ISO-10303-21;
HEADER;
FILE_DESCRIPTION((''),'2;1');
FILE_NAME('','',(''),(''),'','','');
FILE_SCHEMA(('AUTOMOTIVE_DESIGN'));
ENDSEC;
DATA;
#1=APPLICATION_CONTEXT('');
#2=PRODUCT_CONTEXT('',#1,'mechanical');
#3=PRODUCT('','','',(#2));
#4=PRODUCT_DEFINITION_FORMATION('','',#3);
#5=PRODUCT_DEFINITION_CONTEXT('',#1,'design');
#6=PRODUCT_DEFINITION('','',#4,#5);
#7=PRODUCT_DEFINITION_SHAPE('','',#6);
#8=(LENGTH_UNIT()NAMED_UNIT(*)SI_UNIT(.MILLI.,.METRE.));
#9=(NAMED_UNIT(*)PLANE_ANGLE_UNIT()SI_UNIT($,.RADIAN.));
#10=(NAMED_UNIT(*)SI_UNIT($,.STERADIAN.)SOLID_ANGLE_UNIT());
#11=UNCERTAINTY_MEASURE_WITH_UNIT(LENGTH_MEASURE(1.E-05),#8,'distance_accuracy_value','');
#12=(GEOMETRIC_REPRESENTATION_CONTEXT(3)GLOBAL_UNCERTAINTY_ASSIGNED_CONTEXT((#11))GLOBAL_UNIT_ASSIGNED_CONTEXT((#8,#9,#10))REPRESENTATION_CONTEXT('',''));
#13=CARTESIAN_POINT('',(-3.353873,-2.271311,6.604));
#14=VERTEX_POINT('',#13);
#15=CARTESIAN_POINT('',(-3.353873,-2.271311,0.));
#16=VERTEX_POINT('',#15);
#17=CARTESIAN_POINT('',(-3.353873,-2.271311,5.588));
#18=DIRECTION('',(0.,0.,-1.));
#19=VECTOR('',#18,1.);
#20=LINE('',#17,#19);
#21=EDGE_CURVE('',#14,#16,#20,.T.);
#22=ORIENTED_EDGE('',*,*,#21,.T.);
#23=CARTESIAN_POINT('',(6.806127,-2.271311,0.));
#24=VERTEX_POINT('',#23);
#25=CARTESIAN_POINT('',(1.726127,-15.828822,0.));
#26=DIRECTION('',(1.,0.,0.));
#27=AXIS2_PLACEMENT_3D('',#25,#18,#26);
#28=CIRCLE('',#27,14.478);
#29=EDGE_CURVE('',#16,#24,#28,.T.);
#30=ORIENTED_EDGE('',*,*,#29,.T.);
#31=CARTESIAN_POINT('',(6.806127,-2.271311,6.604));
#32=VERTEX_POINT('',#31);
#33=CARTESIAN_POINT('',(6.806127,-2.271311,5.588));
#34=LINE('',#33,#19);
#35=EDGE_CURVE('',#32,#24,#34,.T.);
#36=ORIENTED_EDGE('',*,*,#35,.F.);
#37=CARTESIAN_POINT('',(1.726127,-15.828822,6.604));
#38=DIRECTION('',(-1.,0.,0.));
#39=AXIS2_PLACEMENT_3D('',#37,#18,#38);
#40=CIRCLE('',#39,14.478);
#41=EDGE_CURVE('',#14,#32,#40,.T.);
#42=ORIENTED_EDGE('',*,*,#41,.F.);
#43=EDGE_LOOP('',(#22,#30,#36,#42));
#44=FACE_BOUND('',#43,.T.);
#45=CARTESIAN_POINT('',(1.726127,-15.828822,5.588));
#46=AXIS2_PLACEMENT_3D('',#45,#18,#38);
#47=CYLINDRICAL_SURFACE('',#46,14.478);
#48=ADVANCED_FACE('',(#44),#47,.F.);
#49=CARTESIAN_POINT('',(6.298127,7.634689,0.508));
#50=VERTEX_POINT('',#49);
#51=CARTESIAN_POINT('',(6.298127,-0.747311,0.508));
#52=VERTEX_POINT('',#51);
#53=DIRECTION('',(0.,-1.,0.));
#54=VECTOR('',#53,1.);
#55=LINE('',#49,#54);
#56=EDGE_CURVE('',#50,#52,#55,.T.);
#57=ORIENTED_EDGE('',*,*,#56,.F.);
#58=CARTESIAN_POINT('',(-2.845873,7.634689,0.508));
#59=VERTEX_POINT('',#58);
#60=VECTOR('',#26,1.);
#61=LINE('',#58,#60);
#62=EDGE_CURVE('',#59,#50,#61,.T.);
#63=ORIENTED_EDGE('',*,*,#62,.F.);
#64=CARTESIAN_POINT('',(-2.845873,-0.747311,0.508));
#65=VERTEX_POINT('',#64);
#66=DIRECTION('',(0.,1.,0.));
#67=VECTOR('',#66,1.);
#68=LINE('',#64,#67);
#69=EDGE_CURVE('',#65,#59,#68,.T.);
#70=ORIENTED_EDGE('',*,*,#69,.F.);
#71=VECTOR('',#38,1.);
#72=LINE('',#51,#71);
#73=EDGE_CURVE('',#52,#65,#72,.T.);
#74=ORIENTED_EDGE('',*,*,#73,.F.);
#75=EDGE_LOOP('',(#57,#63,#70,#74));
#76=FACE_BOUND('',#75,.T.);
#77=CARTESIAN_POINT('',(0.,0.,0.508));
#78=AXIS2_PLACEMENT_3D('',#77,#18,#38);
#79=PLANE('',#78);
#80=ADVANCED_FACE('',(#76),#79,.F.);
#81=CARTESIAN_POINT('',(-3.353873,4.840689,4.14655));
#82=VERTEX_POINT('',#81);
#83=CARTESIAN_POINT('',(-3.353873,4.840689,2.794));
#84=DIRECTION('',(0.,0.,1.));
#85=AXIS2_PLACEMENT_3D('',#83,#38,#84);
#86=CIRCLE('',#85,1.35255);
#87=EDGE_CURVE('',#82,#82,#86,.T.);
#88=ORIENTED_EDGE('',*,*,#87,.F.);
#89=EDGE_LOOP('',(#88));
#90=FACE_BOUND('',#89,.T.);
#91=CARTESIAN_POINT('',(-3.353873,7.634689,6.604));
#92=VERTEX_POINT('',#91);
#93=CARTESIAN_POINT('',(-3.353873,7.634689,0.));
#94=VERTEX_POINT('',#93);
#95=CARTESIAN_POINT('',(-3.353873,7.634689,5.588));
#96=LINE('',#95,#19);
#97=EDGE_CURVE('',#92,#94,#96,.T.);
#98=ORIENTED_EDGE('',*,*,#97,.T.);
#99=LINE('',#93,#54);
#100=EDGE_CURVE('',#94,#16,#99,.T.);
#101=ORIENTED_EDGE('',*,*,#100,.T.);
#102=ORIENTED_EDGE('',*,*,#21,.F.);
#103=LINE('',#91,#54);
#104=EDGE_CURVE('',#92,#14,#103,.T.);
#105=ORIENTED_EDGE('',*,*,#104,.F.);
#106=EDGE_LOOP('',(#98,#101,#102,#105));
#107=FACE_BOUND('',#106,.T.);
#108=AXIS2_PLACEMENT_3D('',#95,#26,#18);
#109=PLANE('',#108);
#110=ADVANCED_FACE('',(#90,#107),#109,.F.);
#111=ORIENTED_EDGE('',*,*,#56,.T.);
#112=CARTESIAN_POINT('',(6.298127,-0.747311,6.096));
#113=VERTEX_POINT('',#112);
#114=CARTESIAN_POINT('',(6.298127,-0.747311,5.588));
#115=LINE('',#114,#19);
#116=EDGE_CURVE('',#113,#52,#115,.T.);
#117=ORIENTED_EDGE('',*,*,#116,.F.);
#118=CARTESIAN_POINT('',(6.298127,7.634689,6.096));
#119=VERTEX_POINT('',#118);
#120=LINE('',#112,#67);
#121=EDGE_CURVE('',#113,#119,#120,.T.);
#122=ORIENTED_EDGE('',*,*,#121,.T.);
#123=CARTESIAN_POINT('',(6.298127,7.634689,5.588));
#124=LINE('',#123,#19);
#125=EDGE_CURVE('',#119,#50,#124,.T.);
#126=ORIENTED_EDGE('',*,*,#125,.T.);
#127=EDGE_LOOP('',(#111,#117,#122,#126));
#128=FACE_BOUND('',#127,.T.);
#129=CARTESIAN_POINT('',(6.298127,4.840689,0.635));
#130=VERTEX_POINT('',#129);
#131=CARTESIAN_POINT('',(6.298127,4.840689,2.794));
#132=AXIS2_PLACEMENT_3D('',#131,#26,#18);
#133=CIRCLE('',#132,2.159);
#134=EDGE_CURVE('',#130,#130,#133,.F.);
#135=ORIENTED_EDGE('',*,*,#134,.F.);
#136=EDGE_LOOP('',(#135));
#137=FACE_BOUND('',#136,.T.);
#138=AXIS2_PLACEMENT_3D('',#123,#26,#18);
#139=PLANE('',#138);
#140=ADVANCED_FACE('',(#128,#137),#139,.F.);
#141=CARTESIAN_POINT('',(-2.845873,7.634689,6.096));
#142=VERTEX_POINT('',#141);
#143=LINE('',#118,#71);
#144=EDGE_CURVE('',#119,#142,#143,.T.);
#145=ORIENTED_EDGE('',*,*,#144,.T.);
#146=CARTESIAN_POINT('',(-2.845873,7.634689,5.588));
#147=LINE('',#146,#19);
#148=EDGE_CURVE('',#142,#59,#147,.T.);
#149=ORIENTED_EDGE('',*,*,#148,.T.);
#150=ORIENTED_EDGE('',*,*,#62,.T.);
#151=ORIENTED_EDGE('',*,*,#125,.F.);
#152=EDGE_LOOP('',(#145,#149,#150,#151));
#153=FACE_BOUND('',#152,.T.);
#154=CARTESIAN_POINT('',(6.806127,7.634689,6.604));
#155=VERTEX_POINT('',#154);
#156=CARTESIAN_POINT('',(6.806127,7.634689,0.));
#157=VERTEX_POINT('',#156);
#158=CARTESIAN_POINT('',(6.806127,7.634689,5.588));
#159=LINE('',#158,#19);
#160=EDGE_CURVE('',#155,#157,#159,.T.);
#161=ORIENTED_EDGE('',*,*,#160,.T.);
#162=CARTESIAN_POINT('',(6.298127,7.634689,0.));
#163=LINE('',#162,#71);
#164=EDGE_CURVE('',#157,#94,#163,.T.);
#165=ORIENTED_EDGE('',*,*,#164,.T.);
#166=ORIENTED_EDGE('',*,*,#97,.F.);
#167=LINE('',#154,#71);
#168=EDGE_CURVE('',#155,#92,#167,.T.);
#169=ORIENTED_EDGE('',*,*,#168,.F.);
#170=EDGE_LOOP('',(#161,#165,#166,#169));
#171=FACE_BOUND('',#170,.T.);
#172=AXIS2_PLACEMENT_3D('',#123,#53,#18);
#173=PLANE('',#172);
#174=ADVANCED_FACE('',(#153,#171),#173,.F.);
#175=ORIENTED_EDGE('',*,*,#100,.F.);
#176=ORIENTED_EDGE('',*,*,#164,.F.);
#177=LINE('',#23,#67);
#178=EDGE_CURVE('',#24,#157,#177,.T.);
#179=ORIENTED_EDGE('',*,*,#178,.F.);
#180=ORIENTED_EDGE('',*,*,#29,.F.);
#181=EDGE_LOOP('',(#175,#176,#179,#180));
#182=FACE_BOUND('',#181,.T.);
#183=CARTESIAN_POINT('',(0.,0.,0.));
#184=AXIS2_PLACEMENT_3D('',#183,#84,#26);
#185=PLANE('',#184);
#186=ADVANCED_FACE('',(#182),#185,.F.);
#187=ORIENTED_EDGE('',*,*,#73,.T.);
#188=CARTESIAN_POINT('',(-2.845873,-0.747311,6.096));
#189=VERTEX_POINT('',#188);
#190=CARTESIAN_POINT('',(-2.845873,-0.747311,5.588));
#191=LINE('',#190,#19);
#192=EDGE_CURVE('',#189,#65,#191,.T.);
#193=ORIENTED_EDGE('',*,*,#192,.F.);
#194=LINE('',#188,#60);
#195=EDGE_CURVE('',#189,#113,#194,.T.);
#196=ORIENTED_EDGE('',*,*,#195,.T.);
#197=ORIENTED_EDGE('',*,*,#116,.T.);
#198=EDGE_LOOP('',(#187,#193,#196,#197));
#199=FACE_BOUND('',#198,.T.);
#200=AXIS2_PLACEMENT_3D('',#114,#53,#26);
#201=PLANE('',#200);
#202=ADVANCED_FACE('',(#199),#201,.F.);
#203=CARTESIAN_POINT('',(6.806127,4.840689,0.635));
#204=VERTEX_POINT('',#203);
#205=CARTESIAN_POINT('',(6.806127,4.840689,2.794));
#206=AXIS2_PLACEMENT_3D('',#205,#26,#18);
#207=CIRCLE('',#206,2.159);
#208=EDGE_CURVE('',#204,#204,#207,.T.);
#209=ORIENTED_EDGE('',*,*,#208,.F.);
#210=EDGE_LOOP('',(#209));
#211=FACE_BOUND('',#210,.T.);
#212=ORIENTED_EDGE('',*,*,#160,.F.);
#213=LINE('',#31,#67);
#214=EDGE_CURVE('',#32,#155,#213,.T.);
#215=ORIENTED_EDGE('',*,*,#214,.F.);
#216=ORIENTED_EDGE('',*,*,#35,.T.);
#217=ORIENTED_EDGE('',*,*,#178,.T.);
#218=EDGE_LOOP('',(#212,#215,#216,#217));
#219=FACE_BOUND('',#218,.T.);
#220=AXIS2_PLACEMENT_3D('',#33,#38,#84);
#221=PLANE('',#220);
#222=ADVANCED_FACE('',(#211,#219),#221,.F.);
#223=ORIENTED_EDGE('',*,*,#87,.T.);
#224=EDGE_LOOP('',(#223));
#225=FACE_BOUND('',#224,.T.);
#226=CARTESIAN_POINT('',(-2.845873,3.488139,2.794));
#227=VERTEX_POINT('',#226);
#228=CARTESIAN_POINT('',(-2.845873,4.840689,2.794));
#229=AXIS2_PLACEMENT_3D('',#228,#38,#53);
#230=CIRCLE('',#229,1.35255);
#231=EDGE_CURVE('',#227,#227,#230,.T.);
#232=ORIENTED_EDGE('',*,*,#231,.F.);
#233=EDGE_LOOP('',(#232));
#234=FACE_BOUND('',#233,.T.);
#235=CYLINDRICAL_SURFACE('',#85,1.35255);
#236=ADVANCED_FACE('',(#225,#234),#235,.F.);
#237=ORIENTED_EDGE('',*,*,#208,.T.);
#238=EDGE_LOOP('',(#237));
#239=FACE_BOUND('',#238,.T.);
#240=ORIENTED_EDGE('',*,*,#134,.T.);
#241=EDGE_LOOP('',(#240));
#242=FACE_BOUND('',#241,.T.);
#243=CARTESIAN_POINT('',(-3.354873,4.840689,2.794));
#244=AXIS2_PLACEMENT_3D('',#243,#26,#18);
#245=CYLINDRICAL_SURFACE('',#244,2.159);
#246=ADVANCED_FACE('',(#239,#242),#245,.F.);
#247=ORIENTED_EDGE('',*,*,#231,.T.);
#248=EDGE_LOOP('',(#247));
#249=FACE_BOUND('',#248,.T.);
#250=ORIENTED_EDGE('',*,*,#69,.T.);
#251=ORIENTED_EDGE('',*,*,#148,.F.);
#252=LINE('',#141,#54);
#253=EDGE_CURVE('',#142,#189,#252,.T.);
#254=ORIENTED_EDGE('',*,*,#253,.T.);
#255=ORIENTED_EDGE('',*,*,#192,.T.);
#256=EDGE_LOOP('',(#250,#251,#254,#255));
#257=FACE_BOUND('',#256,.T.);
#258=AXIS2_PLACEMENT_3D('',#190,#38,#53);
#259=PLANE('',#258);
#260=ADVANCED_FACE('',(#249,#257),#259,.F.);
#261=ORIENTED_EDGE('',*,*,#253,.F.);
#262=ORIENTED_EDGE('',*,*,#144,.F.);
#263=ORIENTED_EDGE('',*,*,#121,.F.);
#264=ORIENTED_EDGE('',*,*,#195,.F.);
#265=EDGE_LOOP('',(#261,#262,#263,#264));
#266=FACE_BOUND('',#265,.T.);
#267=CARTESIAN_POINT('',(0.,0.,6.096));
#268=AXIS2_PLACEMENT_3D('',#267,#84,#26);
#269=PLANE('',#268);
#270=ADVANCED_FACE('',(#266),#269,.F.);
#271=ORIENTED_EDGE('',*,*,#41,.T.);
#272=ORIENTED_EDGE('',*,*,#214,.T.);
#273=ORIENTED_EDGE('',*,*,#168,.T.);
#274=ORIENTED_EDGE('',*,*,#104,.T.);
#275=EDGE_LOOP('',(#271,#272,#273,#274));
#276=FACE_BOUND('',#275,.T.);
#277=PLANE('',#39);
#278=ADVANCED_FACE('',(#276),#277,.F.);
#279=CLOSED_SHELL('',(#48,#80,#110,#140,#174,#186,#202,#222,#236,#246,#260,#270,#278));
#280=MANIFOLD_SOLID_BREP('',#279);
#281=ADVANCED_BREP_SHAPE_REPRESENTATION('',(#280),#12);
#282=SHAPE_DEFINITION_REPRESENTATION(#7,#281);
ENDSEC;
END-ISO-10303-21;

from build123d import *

# Parameters (mm, degrees)
BOSS_EXTRUDE1_DEPTH       = 5.588
F_6_32_TAPPED_HOLE1_D     = 2.7051
F_6_32_TAPPED_HOLE1_DEPTH = 0.508
CUT_EXTRUDE1_REACH        = 12.16
SKETCH6_R                 = 2.159
CUT_EXTRUDE2_DEPTH        = 6.588
BOSS_EXTRUDE3_DEPTH       = 1.016
SKETCH20_W                = 9.144
SKETCH20_H                = 2.56692539
CUT_EXTRUDE3_DEPTH        = 8.382
SKETCH22_W                = 9.144
SKETCH22_H                = 8.382
BOSS_EXTRUDE4_DEPTH       = 0.508
SKETCH24_W                = 9.144
SKETCH24_H                = 8.382
BOSS_EXTRUDE5_DEPTH       = 0.508


with BuildPart() as part:
    # Sketch1 → Boss-Extrude1 (new body)
    with BuildSketch(Plane.XY):
        Polygon((-3.353873239, 7.634688699), (-3.353873239, -2.271311301), (6.806126761, -2.271311301), (6.806126761, 7.634688699), (6.298126761, 7.634688699), (6.298126761, -0.747311301), (-2.845873239, -0.747311301), (-2.845873239, 7.634688699), align=None)
    extrude(amount=BOSS_EXTRUDE1_DEPTH)

    # #6-32 Tapped Hole1
    with Locations(Plane.ZY.offset(3.353873239)):
        with Locations((2.794, 4.840688699)):
            Hole(F_6_32_TAPPED_HOLE1_D / 2, depth=F_6_32_TAPPED_HOLE1_DEPTH)

    # Sketch6 → Cut-Extrude1 (cut, up to next)
    with BuildSketch(Plane(origin=(6.806126761, 0, 0), x_dir=(0, 0, -1), z_dir=(1, 0, 0)), mode=Mode.PRIVATE) as cut_extrude1_sk1:
        with Locations((-2.794, 4.840688699)):
            Circle(SKETCH6_R)
    cut_extrude1_tool1 = extrude(cut_extrude1_sk1.sketch, amount=-CUT_EXTRUDE1_REACH, mode=Mode.PRIVATE) & part.part
    add(cut_extrude1_tool1.solids().sort_by_distance((6.806127, 4.840689, 2.794))[0], mode=Mode.SUBTRACT)

    # Sketch16 → Cut-Extrude2 (cut, through all)
    with BuildSketch(Plane(origin=(0, 0, 0), x_dir=(-1, 0, 0), z_dir=(0, 0, -1))):
        with BuildLine():
            Line((3.353873239, -2.271311301), (-6.806126761, -2.271311301))
            ThreePointArc((-6.806126761, -2.271311301), (-1.726126761, -1.350821544), (3.353873239, -2.271311301))
        make_face()
    extrude(amount=-CUT_EXTRUDE2_DEPTH, mode=Mode.SUBTRACT)

    # Sketch19 → Boss-Extrude3 (add)
    with BuildSketch(Plane.XY.offset(5.588)):
        with BuildLine():
            Line((6.806126761, 7.634688699), (6.298126761, 7.634688699))
            Line((6.298126761, 7.634688699), (-2.845873239, 7.634688699))
            Line((-2.845873239, 7.634688699), (-3.353873239, 7.634688699))
            Line((-3.353873239, 7.634688699), (-3.353873239, -2.271311301))
            ThreePointArc((-3.353873239, -2.271311301), (1.726126761, -1.350821544), (6.806126761, -2.271311301))
            Line((6.806126761, -2.271311301), (6.806126761, 7.634688699))
        make_face()
    extrude(amount=BOSS_EXTRUDE3_DEPTH)

    # Sketch20 → Cut-Extrude3 (cut)
    with BuildSketch(Plane(origin=(0, 7.634688699, 0), x_dir=(1, 0, 0), z_dir=(0, 1, 0))):
        with Locations((1.726126761, -6.871462695)):
            Rectangle(SKETCH20_W, SKETCH20_H)
    extrude(amount=-CUT_EXTRUDE3_DEPTH, mode=Mode.SUBTRACT)

    # Sketch22 → Boss-Extrude4 (add)
    with BuildSketch(Plane.XY.offset(6.604)):
        with Locations((1.726126761, 3.443688699)):
            Rectangle(SKETCH22_W, SKETCH22_H)
    extrude(amount=-BOSS_EXTRUDE4_DEPTH)

    # Sketch24 → Boss-Extrude5 (add)
    with BuildSketch(Plane(origin=(0, 0, 0), x_dir=(-1, 0, 0), z_dir=(0, 0, -1))):
        with Locations((-1.726126761, 3.443688699)):
            Rectangle(SKETCH24_W, SKETCH24_H)
    extrude(amount=-BOSS_EXTRUDE5_DEPTH)


solid = part.part
